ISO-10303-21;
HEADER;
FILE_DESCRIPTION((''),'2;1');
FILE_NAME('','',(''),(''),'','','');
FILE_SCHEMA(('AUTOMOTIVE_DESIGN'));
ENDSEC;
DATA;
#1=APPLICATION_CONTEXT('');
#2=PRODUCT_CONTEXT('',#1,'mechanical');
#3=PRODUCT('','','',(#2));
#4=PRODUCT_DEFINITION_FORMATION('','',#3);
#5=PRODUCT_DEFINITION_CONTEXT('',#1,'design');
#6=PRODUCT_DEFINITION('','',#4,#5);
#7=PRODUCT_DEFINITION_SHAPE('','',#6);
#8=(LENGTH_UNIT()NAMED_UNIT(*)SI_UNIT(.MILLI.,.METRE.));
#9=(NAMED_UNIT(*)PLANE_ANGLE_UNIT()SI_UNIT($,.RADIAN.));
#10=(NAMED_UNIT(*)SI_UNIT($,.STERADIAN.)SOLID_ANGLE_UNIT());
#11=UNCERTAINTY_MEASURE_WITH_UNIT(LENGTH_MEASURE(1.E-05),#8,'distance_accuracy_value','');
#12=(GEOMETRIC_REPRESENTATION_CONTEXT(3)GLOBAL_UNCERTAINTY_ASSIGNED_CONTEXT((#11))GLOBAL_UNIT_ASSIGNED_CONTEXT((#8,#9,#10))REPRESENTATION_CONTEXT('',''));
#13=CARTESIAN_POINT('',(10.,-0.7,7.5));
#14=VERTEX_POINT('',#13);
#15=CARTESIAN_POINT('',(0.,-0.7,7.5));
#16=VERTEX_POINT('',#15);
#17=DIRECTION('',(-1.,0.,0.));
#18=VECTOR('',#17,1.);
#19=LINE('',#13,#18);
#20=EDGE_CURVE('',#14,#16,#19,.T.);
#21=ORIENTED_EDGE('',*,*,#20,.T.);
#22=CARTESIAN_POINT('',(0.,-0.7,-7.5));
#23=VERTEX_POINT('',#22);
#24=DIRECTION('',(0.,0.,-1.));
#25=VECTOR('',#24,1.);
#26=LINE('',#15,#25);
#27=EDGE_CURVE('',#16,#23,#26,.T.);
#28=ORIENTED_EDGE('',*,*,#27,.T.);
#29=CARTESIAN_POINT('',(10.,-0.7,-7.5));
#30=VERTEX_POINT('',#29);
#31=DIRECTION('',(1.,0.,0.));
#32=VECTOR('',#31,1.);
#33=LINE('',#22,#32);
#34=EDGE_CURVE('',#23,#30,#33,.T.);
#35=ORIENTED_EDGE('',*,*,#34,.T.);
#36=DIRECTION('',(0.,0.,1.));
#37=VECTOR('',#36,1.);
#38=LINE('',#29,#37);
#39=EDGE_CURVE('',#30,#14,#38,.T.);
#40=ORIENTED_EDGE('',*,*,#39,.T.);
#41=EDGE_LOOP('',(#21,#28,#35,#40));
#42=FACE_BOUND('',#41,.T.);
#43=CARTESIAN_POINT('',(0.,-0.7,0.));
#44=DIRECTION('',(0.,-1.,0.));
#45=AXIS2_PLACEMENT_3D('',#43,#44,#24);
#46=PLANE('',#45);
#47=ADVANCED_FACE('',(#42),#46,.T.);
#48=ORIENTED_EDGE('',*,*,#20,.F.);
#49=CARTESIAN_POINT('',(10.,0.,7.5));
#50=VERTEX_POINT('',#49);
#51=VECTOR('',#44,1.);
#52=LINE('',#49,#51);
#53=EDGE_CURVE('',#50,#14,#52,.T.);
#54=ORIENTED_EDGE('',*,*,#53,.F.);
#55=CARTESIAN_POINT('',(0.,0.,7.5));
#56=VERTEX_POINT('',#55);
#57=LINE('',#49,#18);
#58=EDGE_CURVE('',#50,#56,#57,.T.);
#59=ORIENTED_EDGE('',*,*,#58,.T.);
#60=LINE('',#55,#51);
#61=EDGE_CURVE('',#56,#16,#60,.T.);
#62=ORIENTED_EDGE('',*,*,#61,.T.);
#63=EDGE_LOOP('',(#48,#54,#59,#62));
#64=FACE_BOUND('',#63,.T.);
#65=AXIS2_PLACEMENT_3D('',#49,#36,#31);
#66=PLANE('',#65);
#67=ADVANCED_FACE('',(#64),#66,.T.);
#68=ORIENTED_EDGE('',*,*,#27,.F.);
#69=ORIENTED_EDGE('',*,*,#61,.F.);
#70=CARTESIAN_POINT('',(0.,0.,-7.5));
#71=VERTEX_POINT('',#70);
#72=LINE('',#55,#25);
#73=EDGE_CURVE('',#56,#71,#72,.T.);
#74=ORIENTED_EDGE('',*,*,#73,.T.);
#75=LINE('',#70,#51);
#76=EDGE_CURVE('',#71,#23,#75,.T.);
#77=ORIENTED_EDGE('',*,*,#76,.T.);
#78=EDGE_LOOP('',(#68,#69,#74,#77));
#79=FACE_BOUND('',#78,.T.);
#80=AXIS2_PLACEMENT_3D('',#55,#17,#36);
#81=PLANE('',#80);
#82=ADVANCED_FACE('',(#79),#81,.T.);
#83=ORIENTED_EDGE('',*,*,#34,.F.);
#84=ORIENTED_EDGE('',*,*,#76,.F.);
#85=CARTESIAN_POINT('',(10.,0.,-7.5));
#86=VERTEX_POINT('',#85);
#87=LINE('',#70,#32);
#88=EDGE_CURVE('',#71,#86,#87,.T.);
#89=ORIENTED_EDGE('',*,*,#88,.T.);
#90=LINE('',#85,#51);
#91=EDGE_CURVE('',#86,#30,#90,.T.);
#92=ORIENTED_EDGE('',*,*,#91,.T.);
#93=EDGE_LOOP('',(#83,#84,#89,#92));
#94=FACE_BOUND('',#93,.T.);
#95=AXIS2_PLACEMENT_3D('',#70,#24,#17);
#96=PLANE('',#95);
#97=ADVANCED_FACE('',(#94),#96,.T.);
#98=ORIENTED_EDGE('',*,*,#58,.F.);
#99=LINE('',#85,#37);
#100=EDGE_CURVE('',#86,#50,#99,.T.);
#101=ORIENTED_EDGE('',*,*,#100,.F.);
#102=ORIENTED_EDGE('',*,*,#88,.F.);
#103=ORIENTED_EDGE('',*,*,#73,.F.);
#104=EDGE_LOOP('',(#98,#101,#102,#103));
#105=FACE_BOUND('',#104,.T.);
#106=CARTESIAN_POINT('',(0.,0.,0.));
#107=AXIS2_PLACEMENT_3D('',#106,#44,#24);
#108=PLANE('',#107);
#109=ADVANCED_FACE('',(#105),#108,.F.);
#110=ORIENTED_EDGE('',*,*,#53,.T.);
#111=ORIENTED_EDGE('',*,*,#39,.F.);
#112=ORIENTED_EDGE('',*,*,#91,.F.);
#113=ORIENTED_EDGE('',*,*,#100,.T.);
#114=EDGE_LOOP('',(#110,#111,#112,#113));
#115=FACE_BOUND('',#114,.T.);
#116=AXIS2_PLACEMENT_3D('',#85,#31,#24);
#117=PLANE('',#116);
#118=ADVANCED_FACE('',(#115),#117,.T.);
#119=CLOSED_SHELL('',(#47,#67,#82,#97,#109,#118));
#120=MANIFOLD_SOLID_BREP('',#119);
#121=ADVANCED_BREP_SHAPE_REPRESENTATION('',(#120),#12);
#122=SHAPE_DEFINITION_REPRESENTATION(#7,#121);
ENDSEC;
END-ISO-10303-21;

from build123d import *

# Parameters (mm, degrees)
CROQUIS1_W              = 10
CROQUIS1_H              = 15
SALIENTE_EXTRUIR1_DEPTH = 0.7


with BuildPart() as part:
    # Croquis1 → Saliente-Extruir1 (new body)
    with BuildSketch(Plane.XZ.offset(0.7)):
        with Locations((5, 0)):
            Rectangle(CROQUIS1_W, CROQUIS1_H)
    extrude(amount=-SALIENTE_EXTRUIR1_DEPTH)


solid = part.part
